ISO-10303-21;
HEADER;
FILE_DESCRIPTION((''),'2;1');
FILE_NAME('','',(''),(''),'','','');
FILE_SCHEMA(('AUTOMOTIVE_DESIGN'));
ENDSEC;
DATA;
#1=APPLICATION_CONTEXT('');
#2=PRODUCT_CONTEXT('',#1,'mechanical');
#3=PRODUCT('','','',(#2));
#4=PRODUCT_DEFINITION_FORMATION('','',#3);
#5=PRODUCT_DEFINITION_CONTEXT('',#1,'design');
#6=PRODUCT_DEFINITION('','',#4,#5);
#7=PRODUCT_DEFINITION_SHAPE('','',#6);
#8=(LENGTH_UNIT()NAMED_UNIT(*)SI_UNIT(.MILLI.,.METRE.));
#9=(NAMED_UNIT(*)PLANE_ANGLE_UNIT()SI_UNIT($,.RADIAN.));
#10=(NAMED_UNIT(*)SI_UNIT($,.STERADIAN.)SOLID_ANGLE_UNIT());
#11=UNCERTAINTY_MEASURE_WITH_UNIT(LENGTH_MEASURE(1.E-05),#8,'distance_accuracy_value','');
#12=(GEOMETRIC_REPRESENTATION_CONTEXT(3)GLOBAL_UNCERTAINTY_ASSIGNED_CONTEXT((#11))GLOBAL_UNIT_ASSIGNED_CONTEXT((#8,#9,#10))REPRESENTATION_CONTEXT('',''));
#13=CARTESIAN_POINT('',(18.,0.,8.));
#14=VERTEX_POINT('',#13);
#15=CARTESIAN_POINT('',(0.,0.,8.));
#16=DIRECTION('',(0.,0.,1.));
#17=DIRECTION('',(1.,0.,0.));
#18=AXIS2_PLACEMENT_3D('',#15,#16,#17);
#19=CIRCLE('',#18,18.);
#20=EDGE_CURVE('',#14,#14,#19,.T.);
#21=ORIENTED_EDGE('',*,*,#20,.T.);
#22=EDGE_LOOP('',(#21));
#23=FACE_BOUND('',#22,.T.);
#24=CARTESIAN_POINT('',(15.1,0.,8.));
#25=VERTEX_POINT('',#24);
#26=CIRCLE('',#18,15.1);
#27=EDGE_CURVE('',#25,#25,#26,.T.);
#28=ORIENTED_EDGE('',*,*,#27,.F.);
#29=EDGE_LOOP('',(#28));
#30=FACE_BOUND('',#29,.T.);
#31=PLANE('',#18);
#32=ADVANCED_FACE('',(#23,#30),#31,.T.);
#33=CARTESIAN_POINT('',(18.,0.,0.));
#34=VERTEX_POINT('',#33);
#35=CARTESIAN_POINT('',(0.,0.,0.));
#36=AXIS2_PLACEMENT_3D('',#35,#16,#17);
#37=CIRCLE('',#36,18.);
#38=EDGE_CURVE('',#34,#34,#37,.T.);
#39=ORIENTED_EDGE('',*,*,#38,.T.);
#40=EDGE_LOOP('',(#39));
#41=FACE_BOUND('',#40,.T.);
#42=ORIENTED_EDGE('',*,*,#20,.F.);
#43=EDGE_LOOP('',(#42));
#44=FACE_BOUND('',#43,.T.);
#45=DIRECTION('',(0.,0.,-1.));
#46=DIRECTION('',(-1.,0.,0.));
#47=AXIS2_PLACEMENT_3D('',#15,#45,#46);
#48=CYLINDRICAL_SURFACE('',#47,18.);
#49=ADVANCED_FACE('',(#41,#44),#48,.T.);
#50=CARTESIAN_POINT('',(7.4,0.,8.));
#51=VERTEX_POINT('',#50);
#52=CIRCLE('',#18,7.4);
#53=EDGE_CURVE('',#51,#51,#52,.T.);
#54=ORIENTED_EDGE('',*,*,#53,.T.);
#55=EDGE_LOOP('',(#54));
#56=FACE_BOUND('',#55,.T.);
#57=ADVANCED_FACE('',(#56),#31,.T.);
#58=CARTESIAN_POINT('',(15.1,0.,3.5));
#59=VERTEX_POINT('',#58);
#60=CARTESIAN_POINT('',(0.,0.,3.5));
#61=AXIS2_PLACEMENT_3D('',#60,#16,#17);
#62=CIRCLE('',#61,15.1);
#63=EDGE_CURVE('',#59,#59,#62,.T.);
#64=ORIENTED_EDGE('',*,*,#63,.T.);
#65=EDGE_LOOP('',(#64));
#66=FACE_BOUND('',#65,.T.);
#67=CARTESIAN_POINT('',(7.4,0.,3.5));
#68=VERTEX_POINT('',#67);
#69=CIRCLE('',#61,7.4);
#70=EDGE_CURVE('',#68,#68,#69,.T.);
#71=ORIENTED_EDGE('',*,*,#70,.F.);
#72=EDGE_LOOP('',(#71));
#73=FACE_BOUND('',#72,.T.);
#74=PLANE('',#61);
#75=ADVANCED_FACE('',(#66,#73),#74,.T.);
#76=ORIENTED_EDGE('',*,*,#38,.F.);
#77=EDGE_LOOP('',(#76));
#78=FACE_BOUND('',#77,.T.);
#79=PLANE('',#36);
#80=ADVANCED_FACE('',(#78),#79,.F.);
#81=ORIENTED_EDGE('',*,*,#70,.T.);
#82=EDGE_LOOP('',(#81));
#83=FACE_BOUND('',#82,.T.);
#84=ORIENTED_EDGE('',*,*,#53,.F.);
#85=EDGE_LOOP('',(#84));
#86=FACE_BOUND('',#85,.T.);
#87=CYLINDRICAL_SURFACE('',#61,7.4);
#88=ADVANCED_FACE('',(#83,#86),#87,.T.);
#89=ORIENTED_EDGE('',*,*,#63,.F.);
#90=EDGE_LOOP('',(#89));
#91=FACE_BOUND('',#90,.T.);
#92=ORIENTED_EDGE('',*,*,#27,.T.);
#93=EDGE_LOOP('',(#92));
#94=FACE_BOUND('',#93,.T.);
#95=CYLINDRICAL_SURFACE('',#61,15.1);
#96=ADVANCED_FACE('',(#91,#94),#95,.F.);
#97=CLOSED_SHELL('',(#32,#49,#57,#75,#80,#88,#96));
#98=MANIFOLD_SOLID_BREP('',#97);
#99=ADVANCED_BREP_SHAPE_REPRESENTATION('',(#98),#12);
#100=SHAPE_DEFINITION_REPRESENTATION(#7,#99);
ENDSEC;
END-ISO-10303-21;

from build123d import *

# Parameters (mm, degrees)
SKETCH1_R           = 18
BOSS_EXTRUDE1_DEPTH = 8
SKETCH2_R           = 15.1
SKETCH2_R_2         = 7.4
CUT_EXTRUDE1_DEPTH  = 4.5


with BuildPart() as part:
    # Sketch1 → Boss-Extrude1 (new body)
    with BuildSketch(Plane.XY):
        Circle(SKETCH1_R)
    extrude(amount=BOSS_EXTRUDE1_DEPTH)

    # Sketch2 → Cut-Extrude1 (cut)
    with BuildSketch(Plane.XY.offset(8)):
        Circle(SKETCH2_R)
        Circle(SKETCH2_R_2, mode=Mode.SUBTRACT)
    extrude(amount=-CUT_EXTRUDE1_DEPTH, mode=Mode.SUBTRACT)


solid = part.part
